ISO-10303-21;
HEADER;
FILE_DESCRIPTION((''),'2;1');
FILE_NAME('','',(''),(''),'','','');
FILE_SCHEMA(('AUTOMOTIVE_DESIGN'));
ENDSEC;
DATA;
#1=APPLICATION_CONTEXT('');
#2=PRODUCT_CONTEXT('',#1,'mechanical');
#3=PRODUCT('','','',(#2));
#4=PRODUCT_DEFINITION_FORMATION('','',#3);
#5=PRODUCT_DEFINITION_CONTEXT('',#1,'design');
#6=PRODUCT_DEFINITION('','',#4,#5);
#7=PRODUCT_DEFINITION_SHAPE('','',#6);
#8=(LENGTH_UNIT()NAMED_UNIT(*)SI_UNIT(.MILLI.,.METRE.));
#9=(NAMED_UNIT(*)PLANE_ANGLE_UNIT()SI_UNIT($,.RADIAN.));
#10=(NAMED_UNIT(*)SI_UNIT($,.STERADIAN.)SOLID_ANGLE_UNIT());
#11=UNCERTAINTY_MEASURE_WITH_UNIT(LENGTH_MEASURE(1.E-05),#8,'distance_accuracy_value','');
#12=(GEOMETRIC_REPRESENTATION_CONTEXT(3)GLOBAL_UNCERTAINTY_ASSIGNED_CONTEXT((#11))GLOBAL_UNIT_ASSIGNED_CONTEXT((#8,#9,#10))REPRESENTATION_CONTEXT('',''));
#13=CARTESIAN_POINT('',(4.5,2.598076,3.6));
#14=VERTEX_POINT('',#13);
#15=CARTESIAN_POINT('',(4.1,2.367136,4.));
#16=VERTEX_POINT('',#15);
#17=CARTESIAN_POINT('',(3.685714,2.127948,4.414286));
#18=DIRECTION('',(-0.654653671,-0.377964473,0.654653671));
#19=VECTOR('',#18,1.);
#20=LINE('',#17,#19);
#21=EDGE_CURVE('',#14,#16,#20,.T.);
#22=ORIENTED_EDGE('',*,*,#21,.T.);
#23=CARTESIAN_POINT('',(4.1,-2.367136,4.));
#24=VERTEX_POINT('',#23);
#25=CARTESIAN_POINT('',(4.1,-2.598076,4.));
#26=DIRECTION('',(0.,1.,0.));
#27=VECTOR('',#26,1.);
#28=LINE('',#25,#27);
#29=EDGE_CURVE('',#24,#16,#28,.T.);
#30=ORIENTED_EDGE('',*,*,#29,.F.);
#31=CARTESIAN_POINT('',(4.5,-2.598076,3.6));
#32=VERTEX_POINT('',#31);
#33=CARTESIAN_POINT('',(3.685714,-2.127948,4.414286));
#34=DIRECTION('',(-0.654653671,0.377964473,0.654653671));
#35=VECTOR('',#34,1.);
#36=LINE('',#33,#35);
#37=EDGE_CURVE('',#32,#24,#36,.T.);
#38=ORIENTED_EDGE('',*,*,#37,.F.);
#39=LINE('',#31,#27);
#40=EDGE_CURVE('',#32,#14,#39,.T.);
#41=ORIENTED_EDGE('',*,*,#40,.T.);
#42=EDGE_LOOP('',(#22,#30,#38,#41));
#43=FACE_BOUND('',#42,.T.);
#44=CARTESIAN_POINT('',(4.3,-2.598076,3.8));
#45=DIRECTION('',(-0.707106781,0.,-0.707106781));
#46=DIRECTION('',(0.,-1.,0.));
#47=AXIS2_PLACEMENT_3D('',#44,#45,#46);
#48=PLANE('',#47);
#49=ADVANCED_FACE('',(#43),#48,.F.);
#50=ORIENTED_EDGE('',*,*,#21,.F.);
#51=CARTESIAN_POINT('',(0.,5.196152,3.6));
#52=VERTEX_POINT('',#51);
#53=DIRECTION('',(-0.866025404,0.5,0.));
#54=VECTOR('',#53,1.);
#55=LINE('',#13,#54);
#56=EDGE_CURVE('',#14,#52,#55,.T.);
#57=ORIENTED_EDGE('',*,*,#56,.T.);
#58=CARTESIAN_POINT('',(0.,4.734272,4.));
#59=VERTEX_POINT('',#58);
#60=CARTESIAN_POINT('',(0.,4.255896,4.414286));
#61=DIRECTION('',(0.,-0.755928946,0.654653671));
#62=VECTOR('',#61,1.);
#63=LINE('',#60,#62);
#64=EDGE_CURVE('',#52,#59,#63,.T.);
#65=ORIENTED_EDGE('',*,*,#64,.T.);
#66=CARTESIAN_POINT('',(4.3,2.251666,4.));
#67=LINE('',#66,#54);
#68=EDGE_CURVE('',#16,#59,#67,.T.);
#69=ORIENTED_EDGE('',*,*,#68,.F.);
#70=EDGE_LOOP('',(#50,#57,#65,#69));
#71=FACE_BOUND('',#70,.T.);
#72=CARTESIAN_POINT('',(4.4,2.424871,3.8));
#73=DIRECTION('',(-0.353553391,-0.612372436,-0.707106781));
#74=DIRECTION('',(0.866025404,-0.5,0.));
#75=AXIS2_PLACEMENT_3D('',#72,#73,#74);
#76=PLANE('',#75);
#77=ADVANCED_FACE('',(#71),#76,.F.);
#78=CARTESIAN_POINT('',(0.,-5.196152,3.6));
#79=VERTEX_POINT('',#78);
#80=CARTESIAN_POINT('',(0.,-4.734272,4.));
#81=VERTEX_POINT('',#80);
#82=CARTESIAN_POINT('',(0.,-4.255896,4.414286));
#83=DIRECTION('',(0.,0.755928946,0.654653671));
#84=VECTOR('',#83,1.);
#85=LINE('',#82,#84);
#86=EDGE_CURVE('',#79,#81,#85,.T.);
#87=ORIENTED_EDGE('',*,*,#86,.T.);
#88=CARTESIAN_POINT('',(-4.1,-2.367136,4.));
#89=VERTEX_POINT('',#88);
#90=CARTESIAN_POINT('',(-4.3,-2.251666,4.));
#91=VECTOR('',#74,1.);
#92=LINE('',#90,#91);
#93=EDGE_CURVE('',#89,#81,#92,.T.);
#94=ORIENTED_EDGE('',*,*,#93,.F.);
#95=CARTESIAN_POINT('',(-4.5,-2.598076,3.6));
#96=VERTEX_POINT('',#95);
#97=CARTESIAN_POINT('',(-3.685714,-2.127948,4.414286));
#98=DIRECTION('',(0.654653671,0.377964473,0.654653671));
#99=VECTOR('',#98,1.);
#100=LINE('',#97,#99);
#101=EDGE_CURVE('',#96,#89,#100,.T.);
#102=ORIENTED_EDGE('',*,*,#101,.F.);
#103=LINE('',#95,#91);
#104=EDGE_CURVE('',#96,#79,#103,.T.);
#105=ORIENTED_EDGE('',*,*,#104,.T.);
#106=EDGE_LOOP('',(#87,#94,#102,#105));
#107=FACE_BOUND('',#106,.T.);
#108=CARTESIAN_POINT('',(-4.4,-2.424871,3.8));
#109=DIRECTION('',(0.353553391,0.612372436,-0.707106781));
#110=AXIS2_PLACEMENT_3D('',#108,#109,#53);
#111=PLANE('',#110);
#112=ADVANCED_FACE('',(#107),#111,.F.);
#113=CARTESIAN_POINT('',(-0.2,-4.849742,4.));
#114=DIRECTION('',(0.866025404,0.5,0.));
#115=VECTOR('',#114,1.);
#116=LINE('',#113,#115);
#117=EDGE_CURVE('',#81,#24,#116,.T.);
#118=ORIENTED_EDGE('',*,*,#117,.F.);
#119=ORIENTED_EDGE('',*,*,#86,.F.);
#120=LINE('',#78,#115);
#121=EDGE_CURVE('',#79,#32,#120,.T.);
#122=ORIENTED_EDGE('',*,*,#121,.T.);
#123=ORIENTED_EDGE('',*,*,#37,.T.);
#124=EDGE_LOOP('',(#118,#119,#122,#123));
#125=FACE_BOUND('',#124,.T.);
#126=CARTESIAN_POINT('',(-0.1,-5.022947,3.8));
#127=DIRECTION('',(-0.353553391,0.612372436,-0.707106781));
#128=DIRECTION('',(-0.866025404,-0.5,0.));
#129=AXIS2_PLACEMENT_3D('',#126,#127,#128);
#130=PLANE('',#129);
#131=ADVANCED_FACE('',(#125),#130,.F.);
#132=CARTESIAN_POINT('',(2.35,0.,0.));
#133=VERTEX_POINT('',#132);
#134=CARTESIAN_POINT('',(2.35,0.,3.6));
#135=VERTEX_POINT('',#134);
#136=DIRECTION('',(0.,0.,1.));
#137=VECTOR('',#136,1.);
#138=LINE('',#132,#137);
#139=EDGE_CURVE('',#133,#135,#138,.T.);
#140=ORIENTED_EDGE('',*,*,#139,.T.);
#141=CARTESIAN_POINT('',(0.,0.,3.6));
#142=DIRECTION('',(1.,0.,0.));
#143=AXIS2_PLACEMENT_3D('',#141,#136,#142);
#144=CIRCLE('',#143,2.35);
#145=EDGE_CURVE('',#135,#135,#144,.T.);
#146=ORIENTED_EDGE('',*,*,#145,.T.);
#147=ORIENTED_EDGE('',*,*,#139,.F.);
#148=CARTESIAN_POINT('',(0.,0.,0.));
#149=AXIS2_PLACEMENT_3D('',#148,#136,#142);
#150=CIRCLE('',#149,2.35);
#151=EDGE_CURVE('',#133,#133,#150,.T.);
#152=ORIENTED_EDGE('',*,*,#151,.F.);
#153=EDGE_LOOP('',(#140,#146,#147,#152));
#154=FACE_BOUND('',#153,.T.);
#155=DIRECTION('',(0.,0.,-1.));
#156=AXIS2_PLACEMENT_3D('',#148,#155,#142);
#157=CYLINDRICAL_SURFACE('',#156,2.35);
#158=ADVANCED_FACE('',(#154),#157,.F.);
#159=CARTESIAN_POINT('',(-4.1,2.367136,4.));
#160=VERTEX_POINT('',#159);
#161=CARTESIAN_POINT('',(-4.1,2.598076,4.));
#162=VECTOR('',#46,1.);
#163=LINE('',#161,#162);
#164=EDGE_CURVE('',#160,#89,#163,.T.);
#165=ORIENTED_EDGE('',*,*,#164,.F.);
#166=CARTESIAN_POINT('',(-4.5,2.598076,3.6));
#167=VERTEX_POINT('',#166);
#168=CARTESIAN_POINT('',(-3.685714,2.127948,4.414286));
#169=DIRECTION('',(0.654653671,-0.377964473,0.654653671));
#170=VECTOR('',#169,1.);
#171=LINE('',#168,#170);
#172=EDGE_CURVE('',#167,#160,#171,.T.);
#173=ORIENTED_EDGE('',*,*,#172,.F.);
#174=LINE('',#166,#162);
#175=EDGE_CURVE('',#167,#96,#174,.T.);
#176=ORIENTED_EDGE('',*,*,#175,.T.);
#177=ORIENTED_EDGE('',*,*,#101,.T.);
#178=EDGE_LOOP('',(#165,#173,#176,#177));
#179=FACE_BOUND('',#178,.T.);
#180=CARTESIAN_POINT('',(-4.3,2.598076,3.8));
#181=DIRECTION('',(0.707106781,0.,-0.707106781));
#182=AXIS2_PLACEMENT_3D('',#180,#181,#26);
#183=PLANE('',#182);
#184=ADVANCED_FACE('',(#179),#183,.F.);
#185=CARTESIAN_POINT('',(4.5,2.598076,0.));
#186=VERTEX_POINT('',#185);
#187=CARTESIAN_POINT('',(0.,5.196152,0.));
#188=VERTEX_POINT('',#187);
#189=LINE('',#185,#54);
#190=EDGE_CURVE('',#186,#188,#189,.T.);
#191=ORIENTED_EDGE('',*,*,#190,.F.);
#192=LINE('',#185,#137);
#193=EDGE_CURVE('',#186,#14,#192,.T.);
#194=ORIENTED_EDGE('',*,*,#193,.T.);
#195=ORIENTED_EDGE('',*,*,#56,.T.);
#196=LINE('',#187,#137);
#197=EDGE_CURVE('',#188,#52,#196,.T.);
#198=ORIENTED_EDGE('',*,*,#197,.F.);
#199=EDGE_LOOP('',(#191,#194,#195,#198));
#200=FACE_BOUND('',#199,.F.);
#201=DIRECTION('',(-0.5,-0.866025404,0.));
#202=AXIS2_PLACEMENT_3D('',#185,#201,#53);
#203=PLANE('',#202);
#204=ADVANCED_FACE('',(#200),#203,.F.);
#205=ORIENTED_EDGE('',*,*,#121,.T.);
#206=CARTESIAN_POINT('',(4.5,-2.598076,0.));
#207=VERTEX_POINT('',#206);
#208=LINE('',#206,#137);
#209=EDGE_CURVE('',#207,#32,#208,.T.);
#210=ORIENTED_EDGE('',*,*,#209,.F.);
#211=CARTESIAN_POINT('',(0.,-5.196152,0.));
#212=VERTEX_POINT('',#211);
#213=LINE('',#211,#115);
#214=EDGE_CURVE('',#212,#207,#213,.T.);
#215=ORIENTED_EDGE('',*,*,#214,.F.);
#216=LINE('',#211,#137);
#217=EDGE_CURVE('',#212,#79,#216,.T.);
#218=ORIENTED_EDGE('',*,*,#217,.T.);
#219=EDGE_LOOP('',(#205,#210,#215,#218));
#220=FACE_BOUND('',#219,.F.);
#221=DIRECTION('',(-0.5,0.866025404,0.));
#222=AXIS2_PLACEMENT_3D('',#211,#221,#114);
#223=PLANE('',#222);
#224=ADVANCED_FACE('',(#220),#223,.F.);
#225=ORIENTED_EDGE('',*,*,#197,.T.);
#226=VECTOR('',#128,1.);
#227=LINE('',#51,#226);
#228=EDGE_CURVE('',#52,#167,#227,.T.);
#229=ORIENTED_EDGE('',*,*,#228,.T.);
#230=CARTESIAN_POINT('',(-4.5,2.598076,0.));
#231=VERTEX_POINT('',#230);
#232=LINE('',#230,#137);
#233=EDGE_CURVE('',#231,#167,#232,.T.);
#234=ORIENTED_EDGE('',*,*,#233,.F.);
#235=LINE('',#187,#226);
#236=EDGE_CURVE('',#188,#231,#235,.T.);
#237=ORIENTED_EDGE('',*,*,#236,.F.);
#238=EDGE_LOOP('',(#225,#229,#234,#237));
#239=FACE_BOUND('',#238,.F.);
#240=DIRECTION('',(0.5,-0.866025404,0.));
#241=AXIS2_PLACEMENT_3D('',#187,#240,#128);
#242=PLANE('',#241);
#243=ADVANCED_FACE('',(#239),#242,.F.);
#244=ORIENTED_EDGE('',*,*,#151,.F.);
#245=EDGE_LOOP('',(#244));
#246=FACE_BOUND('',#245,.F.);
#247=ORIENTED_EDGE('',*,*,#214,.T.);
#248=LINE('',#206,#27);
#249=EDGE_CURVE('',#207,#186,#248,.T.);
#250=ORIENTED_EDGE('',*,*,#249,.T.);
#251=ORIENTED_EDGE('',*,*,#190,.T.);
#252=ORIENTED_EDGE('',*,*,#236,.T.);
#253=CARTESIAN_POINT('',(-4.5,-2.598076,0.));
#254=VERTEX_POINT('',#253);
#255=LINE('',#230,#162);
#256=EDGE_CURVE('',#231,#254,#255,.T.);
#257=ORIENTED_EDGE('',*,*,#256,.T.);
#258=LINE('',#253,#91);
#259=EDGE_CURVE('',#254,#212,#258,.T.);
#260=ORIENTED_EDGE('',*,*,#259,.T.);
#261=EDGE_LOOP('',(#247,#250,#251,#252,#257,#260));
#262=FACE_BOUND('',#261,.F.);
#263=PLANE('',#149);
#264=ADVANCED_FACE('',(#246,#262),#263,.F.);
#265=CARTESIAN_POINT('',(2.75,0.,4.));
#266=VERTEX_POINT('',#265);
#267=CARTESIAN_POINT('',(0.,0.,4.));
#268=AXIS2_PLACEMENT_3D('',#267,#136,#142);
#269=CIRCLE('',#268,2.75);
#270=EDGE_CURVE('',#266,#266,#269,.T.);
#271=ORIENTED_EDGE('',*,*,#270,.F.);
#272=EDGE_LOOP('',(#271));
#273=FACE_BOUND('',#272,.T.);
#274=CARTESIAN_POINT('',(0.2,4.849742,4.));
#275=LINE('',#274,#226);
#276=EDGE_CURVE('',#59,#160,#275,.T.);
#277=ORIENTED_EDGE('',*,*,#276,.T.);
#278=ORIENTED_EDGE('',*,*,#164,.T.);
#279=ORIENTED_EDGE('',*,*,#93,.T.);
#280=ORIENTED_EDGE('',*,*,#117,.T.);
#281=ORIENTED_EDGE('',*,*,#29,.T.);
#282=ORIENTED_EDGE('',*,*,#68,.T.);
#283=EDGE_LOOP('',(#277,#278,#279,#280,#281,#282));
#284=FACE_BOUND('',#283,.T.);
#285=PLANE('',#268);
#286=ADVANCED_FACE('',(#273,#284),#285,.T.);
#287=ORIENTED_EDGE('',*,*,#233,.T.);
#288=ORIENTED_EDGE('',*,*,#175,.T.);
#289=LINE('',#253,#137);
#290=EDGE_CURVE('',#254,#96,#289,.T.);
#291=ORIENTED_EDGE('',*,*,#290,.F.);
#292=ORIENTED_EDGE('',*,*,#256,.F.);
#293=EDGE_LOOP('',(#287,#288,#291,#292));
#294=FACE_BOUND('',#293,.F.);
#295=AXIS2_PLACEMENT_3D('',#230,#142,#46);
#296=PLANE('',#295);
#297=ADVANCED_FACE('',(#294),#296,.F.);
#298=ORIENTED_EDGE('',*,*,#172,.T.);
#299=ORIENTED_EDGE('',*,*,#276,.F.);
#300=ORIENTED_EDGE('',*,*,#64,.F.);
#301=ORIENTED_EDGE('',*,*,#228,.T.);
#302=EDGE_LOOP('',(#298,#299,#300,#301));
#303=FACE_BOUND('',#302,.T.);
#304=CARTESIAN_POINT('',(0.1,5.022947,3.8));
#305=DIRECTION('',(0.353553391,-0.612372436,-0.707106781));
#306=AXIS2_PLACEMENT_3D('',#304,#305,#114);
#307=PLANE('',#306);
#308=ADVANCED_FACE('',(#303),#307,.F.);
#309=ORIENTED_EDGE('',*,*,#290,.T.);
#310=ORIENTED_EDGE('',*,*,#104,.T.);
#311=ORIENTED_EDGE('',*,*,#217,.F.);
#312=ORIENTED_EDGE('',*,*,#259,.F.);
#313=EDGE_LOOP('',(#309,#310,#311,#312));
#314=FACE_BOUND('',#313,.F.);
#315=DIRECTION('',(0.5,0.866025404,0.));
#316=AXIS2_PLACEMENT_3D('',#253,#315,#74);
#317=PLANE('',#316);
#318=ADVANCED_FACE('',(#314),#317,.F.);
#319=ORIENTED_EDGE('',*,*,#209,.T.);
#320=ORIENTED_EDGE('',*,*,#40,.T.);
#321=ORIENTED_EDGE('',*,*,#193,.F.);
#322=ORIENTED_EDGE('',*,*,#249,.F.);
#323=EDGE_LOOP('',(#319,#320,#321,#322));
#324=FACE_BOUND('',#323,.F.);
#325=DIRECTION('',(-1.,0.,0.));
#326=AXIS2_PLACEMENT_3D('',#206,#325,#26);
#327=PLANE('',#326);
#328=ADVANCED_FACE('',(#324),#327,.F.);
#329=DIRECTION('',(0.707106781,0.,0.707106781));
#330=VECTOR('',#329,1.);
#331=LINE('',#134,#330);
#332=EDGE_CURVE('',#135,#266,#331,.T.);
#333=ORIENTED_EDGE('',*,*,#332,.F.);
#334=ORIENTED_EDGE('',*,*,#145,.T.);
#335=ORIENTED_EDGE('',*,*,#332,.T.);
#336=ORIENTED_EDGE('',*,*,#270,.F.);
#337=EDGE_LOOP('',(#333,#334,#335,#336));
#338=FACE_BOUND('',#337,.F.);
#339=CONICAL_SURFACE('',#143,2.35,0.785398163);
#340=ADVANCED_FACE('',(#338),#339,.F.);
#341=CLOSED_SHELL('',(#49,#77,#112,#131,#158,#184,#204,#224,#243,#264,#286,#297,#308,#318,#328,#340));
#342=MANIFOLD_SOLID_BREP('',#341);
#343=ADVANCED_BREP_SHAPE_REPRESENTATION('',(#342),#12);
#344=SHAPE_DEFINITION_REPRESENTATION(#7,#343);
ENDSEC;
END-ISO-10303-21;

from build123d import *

# Parameters (mm, degrees)
SKETCH1_R           = 2.35
BOSS_EXTRUDE1_DEPTH = 4
CHAMFER1_SIZE       = 0.4


with BuildPart() as part:
    # Sketch1 → Boss-Extrude1 (new body)
    with BuildSketch(Plane.XY):
        Polygon((4.5, -2.598076211), (4.5, 2.598076211), (0, 5.196152423), (-4.5, 2.598076211), (-4.5, -2.598076211), (0, -5.196152423), align=None)
        Circle(SKETCH1_R, mode=Mode.SUBTRACT)
    extrude(amount=BOSS_EXTRUDE1_DEPTH)

    # Chamfer1
    chamfer1_edges = [part.edges().sort_by_distance(p)[0] for p in [
        (2.25, 3.897114317, 4),
        (-2.25, 3.897114317, 4),
        (-2.35, 0, 4),
        (-4.5, 0, 4),
        (-2.25, -3.897114317, 4),
        (2.25, -3.897114317, 4),
        (4.5, 0, 4),
    ]]
    chamfer(chamfer1_edges, length=CHAMFER1_SIZE)


solid = part.part
